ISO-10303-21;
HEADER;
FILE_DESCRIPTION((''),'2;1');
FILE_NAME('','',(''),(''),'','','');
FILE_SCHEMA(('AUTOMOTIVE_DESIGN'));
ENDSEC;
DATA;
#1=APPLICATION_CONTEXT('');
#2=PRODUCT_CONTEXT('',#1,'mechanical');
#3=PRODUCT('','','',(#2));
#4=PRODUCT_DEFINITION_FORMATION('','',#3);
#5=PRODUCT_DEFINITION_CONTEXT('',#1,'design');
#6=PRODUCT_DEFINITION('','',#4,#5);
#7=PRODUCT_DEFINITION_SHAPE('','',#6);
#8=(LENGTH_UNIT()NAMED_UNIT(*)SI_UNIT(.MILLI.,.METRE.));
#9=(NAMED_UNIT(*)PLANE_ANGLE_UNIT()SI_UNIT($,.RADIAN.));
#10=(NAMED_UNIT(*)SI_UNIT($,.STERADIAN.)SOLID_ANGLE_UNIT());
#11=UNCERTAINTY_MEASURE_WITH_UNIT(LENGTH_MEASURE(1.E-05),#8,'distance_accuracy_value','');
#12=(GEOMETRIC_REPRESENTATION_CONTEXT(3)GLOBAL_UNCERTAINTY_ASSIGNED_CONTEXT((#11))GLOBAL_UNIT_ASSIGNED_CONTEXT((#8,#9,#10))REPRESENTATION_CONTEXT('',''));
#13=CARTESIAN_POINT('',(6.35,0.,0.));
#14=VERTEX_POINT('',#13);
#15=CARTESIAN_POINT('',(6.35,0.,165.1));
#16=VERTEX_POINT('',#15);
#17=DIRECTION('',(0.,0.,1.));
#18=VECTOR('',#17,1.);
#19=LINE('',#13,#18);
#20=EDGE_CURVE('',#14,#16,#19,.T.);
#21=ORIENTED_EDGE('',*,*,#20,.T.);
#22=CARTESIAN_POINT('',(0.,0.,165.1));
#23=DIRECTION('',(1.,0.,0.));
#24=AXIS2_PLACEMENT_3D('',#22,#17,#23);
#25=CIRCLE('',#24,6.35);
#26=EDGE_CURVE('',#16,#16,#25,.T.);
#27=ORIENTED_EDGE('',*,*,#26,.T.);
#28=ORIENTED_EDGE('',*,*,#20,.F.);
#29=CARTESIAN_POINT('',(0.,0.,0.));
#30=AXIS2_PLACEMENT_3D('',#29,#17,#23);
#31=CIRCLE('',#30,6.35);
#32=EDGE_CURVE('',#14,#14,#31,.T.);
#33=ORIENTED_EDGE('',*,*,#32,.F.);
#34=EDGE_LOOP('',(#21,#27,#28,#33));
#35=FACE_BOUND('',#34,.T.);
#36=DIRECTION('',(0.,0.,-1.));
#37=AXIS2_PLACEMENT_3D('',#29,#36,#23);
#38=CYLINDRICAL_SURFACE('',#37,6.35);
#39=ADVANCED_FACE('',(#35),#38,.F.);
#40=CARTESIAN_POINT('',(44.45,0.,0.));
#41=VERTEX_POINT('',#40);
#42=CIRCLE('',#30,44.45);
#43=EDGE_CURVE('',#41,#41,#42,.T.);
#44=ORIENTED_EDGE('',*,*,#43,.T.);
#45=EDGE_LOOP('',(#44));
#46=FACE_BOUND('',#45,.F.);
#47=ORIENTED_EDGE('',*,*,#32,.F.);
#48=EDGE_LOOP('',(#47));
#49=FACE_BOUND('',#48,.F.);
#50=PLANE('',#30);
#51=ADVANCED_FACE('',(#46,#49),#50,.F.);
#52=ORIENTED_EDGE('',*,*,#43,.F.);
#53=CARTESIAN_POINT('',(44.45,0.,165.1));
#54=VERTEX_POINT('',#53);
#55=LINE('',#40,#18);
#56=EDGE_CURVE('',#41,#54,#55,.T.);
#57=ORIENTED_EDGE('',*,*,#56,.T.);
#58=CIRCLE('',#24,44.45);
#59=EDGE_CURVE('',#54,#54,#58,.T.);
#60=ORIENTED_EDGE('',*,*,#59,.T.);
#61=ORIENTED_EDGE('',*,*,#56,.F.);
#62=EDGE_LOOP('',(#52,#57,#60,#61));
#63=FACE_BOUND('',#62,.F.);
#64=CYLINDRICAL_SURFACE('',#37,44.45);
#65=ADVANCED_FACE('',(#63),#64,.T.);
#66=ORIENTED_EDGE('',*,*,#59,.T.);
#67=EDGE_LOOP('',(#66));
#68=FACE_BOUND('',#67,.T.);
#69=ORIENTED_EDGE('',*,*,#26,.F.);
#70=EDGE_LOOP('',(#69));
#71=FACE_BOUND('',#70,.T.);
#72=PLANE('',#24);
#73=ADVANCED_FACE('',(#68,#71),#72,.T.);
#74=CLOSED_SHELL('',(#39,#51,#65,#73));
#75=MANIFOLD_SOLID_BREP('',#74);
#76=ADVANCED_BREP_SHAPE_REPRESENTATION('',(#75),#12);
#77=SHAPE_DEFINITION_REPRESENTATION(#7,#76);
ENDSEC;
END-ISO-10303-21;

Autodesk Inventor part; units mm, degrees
ref_plane "YZ Plane" through (0, 0, 0) normal (1, 0, 0) x (0, 1, 0)
ref_plane "XZ Plane" through (0, 0, 0) normal (0, 1, 0) x (-1, 0, 0)
ref_plane "XY Plane" through (0, 0, 0) normal (0, 0, 1) x (1, 0, 0)
sketch "Sketch1" plane through (0, 0, 0) normal (0, 0, 1) x (1, 0, 0)
  circle A0 centre (0, 0) radius 44.45
  circle A1 centre (0, 0) radius 6.35
  dimension "d0" = 88.9
  dimension "d1" = 12.7
extrude "Extrusion1" add sketch "Sketch1" along normal blind 165.1
properties part number "8 ball roller"
